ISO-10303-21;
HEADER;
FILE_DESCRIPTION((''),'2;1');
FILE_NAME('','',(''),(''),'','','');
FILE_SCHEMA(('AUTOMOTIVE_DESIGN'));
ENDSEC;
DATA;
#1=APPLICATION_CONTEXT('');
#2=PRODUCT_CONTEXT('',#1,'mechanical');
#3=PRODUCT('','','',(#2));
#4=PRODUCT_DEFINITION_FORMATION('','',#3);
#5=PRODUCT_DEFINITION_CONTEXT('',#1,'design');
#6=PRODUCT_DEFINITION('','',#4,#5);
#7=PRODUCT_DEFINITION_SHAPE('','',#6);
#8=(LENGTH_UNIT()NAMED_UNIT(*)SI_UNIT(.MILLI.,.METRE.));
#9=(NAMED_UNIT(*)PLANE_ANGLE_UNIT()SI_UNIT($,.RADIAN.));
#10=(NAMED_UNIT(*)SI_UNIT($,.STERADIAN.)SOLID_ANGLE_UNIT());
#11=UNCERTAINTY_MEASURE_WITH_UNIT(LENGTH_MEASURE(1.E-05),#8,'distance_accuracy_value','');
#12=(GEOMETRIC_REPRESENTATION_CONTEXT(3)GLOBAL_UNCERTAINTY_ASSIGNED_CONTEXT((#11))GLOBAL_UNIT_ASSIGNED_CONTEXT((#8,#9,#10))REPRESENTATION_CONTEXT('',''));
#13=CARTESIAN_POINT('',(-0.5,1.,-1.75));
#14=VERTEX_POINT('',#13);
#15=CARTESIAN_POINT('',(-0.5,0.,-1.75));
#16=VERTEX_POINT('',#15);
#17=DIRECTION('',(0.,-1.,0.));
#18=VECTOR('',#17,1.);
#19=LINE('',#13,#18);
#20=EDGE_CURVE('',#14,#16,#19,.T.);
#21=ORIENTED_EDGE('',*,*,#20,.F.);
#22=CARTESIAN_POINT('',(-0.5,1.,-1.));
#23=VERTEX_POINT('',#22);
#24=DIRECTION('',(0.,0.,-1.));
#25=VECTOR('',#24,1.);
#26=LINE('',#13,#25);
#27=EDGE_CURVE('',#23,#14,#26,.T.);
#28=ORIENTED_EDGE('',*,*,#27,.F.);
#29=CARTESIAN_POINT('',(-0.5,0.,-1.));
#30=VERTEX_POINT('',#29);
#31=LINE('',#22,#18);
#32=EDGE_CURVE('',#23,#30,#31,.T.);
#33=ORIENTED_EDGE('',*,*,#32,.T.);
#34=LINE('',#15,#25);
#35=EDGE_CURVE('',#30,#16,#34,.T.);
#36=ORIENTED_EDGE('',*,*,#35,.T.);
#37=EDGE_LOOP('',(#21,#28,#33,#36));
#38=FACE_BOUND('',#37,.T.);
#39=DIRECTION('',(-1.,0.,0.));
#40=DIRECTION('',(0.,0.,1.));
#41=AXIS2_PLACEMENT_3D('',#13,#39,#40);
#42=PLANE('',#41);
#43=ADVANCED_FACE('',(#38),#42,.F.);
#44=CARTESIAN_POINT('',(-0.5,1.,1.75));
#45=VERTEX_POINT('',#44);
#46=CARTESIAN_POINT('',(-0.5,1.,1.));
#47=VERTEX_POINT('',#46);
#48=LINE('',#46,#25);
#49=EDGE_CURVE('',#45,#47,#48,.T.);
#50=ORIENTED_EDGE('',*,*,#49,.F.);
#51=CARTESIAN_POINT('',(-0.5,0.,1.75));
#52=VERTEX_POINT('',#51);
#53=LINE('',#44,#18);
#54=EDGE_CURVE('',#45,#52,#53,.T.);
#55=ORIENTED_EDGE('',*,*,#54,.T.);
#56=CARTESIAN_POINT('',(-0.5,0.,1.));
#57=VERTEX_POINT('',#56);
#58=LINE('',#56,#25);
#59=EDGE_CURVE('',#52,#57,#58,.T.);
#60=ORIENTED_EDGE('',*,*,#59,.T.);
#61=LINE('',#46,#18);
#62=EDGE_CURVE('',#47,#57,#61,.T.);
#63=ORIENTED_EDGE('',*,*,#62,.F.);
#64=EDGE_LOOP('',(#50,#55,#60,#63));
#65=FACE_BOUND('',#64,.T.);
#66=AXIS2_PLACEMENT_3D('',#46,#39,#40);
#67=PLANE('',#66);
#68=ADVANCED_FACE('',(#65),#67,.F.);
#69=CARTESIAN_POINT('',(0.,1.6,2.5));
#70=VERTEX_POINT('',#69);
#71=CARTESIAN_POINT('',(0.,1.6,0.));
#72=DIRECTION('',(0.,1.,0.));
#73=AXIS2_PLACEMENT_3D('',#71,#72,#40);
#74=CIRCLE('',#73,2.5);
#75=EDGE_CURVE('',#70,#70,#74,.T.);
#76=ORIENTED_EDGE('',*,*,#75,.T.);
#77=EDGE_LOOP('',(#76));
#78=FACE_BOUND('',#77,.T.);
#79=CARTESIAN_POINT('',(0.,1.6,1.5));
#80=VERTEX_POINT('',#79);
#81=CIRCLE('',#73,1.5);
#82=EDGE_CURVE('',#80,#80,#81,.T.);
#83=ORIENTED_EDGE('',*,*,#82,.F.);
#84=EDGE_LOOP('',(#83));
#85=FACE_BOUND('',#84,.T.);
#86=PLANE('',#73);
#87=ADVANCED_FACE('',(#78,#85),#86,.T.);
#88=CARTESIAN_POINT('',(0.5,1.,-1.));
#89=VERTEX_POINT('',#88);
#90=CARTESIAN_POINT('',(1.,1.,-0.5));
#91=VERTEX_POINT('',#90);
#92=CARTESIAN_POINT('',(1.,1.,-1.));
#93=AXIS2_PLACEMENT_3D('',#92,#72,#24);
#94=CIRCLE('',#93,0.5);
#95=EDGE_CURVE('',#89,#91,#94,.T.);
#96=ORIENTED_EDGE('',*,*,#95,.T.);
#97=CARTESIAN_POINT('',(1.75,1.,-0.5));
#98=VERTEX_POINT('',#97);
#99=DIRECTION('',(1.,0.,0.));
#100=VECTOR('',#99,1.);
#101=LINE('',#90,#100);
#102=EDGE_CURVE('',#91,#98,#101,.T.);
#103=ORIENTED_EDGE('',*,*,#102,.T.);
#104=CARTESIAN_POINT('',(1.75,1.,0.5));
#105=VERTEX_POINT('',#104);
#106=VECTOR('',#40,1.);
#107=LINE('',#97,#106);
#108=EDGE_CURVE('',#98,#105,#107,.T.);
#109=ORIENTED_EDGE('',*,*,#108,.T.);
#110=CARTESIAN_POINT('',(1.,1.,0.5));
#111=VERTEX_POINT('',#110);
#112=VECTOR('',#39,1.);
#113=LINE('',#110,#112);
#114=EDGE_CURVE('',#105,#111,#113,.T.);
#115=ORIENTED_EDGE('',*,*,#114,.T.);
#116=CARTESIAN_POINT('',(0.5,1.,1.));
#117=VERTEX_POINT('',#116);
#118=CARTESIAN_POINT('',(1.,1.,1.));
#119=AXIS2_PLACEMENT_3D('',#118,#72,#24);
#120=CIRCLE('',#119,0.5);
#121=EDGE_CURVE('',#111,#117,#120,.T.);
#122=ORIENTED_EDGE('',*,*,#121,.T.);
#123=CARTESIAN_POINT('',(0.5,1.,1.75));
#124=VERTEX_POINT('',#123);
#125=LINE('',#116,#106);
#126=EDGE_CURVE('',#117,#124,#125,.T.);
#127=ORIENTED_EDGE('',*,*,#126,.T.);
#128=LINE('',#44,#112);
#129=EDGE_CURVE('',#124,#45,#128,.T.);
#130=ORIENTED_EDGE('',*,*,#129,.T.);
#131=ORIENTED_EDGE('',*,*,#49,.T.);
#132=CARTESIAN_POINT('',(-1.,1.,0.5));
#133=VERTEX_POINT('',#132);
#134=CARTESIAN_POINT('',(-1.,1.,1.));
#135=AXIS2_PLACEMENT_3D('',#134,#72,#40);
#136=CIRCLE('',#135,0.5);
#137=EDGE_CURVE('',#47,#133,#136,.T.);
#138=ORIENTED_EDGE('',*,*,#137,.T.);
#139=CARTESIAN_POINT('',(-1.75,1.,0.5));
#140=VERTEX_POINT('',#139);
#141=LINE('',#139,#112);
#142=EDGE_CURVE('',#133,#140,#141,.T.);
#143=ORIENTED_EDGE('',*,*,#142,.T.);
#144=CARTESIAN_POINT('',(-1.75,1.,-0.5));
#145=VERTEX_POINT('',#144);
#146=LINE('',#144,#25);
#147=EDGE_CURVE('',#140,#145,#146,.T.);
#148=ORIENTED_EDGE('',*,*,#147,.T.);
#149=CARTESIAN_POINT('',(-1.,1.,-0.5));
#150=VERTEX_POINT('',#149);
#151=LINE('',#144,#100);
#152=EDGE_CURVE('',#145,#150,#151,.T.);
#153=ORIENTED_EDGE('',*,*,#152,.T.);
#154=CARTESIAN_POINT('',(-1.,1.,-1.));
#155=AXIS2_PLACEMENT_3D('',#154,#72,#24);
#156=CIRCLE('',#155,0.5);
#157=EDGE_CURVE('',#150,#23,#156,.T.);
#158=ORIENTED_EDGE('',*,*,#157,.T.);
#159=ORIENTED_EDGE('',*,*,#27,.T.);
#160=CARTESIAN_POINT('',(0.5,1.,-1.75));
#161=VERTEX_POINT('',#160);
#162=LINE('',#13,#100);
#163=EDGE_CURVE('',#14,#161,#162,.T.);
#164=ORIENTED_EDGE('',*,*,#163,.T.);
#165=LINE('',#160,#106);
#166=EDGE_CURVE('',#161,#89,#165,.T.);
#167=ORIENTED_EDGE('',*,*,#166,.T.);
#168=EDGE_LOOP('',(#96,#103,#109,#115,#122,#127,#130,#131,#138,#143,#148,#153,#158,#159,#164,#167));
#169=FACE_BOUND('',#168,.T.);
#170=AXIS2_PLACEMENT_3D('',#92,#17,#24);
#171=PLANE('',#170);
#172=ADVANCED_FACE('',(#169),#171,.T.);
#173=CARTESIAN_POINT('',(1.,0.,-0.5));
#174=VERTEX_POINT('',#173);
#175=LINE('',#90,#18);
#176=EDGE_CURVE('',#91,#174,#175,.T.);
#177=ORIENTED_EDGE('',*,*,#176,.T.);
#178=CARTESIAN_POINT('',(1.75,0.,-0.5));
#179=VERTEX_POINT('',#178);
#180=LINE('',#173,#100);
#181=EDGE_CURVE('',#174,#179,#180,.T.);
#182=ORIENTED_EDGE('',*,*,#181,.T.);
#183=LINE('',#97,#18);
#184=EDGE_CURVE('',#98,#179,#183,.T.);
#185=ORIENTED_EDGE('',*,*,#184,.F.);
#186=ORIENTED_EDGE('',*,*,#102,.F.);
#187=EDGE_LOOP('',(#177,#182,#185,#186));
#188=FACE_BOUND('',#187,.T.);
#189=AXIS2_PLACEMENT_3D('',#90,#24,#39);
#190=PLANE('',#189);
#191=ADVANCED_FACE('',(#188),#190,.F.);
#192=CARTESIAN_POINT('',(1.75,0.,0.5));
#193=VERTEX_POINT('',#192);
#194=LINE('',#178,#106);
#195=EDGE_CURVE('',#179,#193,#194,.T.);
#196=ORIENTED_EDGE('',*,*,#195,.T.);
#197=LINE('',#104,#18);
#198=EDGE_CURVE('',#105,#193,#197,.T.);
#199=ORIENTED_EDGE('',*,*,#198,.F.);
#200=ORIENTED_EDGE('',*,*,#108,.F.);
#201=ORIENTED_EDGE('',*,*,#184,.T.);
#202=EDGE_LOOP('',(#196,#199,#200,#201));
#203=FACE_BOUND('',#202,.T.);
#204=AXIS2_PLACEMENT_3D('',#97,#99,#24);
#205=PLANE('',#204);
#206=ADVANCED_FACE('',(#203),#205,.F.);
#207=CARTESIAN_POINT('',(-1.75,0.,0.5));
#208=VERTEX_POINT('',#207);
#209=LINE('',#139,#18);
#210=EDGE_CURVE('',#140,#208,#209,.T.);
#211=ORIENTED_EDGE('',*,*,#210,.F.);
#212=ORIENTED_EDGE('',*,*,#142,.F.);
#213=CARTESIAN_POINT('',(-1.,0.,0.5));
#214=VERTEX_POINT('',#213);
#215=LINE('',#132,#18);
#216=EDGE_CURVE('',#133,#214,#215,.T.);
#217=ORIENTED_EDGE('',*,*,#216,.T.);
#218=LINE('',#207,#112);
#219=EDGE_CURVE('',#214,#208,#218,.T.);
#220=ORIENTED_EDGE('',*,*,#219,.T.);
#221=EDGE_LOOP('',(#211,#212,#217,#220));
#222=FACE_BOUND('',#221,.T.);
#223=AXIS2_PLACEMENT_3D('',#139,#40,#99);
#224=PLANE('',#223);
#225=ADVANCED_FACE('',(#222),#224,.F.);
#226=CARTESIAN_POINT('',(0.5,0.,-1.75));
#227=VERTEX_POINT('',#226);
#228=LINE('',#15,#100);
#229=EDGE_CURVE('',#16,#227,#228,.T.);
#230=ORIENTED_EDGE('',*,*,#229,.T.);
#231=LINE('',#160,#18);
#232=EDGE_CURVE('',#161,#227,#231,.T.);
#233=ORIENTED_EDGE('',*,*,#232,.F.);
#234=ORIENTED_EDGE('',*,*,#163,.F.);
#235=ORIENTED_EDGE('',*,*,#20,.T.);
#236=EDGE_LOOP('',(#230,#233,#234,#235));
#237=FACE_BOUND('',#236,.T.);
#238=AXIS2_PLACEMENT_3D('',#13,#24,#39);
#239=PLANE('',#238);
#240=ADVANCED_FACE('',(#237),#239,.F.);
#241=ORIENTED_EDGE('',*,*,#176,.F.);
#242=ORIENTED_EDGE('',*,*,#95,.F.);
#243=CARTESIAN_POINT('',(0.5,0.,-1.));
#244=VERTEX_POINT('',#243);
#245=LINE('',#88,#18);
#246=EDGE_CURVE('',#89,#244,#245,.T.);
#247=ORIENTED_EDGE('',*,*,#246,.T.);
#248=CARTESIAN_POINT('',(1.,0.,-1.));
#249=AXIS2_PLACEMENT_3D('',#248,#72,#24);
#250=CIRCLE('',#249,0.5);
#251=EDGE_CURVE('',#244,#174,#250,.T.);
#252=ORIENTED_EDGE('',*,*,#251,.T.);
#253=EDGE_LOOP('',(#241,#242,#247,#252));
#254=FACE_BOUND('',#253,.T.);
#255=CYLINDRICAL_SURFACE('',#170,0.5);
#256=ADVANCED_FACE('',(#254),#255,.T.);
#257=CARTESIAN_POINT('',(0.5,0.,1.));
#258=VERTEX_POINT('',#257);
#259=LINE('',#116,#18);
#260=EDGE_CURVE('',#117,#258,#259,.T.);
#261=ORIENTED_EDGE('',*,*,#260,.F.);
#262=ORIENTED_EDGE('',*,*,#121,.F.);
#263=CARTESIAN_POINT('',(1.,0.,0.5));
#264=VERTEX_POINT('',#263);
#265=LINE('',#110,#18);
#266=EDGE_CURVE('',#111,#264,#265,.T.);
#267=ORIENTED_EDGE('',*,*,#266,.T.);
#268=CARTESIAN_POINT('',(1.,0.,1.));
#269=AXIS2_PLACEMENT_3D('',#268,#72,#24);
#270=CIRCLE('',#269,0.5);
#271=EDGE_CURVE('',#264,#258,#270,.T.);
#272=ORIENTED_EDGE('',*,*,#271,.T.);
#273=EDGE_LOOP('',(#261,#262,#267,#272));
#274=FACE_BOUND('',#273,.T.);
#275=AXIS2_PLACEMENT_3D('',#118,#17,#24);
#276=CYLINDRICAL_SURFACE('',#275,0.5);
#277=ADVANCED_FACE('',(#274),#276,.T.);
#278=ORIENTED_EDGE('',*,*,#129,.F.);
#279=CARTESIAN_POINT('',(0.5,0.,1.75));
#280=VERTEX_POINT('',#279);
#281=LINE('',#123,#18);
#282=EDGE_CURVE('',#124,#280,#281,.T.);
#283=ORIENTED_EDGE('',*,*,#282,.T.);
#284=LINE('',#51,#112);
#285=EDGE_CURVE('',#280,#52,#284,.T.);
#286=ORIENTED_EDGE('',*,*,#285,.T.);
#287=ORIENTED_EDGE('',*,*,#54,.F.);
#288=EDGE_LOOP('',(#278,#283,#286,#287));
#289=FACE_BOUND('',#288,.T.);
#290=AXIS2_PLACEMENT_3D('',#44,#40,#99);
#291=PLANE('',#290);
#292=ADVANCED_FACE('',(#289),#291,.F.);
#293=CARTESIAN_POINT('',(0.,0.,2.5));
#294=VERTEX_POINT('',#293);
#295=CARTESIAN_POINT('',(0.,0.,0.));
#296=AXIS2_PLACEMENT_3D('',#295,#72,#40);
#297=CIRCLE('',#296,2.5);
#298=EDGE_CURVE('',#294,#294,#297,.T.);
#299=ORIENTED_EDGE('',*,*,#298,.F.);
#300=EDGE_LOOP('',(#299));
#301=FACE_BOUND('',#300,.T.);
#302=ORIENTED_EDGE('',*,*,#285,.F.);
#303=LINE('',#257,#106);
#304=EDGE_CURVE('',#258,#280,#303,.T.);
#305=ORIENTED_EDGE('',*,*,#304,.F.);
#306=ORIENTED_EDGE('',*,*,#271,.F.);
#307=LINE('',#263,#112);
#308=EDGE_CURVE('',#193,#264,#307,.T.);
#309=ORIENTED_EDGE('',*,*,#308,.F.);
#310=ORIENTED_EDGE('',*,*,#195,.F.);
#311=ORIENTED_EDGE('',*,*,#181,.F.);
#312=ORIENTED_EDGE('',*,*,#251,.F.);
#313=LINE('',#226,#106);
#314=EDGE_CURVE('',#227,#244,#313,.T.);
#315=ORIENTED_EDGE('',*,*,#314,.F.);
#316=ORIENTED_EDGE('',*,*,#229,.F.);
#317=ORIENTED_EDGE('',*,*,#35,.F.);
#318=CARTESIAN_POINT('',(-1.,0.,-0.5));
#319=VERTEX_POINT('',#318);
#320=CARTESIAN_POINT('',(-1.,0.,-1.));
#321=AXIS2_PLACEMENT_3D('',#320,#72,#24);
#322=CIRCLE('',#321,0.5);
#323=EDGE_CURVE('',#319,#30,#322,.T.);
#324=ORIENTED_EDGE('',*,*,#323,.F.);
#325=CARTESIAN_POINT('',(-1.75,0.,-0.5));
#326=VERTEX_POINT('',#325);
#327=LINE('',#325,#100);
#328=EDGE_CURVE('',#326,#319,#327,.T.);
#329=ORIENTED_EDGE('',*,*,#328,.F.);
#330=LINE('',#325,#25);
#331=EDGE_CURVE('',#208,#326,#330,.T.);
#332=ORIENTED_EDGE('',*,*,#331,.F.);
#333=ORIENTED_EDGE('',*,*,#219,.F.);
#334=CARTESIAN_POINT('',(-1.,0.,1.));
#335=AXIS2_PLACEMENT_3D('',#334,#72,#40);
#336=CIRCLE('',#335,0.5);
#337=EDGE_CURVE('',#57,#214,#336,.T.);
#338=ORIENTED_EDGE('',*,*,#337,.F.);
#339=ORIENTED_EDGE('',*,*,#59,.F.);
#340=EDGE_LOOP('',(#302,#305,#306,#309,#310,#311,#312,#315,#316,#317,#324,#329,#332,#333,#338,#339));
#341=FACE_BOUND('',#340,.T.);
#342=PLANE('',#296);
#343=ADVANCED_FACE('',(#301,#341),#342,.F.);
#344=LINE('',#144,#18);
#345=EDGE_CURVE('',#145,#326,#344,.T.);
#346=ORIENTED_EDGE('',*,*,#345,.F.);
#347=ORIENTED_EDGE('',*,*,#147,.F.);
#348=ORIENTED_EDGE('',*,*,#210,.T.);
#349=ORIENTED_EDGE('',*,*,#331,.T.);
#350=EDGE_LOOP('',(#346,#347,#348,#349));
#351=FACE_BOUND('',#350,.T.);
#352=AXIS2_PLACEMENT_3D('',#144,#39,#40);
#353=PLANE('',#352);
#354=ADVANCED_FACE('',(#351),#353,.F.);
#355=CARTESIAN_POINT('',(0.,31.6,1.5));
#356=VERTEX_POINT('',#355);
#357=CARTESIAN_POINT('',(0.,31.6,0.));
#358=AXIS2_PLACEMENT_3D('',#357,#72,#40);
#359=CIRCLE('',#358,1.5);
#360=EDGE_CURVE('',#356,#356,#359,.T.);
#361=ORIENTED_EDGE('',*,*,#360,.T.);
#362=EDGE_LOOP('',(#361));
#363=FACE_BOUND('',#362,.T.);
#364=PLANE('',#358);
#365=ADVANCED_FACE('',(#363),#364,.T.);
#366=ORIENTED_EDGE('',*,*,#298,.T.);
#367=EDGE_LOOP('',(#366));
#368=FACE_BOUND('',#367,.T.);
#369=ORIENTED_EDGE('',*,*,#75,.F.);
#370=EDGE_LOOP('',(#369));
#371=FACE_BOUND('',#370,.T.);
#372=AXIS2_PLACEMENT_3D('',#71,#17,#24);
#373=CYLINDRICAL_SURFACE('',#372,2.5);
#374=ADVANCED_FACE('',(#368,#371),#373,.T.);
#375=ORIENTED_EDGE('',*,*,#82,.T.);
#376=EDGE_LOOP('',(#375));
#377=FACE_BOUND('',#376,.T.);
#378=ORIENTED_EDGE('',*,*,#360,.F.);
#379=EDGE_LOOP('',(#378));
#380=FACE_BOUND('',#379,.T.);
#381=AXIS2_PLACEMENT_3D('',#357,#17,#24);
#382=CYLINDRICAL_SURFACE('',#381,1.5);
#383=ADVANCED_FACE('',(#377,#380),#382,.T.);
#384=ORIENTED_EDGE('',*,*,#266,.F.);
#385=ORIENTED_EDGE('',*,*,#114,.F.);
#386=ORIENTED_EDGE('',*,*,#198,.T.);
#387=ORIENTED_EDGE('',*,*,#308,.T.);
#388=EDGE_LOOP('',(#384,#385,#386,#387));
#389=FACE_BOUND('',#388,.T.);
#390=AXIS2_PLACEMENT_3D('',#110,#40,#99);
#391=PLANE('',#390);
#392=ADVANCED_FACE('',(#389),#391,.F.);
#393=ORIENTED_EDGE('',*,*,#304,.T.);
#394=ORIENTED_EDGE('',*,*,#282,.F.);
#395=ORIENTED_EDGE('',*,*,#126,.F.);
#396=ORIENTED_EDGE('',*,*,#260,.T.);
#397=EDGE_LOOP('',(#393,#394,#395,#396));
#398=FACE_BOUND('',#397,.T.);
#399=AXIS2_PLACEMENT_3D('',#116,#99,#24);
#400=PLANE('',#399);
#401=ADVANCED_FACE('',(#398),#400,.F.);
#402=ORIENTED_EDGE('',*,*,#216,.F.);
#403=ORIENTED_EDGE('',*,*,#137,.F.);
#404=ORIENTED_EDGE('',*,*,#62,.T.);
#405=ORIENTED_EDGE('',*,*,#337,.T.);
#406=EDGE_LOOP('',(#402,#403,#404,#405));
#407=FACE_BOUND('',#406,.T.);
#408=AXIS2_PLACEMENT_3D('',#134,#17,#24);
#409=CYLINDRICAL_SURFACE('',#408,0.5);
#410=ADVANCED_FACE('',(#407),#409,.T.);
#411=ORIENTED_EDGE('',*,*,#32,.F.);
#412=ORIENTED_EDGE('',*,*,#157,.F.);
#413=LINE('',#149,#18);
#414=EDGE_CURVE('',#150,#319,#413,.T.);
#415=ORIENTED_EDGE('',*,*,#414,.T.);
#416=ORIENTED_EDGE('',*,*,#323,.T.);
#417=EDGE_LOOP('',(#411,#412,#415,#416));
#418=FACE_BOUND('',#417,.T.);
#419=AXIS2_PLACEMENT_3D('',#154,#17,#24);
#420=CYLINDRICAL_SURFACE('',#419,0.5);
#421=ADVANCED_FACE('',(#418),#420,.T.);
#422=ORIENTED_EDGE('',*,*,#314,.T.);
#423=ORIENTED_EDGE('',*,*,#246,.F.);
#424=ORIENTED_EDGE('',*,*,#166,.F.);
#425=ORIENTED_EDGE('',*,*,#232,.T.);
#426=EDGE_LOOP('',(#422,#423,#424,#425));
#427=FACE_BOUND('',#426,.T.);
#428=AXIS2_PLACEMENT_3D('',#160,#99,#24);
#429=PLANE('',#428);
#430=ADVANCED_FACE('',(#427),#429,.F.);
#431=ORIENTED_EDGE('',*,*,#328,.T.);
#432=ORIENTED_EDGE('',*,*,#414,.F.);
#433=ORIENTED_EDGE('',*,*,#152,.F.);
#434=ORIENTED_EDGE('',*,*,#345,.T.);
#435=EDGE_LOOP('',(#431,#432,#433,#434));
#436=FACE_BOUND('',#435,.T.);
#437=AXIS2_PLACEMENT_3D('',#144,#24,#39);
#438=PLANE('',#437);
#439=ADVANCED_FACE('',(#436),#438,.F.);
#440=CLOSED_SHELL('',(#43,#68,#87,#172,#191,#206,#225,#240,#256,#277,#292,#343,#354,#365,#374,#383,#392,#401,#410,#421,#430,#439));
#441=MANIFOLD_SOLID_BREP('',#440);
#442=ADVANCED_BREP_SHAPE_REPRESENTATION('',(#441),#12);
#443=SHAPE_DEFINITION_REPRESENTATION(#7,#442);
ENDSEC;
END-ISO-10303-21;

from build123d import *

# Parameters (mm, degrees)
SKETCH_1_R          = 2.5
EXTRUDE_1_DEPTH     = 1.6
SKETCH_2_R          = 1.5
EXTRUDE_2_DEPTH     = 30
CUT_EXTRUDE_1_DEPTH = 1


with BuildPart() as part:
    # 草图1 → 凸台-拉伸1 (new body)
    with BuildSketch(Plane(origin=(0, 0, 0), x_dir=(1, 0, 0), z_dir=(0, 1, 0))):
        Circle(SKETCH_1_R)
    extrude(amount=EXTRUDE_1_DEPTH)

    # 草图2 → 凸台-拉伸2 (add)
    with BuildSketch(Plane(origin=(0, 1.6, 0), x_dir=(1, 0, 0), z_dir=(0, 1, 0))):
        Circle(SKETCH_2_R)
    extrude(amount=EXTRUDE_2_DEPTH)

    # 草图3 → 切除-拉伸1 (cut)
    with BuildSketch(Plane.XZ):
        with BuildLine():
            Line((-0.5, 1), (-0.5, 1.75))
            Line((-0.5, 1.75), (0.5, 1.75))
            Line((0.5, 1.75), (0.5, 1))
            ThreePointArc((0.5, 1), (0.646446609, 0.646446609), (1, 0.5))
            Line((1, 0.5), (1.75, 0.5))
            Line((1.75, 0.5), (1.75, -0.5))
            Line((1.75, -0.5), (1, -0.5))
            ThreePointArc((1, -0.5), (0.646446609, -0.646446609), (0.5, -1))
            Line((0.5, -1), (0.5, -1.75))
            Line((0.5, -1.75), (-0.5, -1.75))
            Line((-0.5, -1.75), (-0.5, -1))
            ThreePointArc((-0.5, -1), (-0.646446609, -0.646446609), (-1, -0.5))
            Line((-1, -0.5), (-1.75, -0.5))
            Line((-1.75, -0.5), (-1.75, 0.5))
            Line((-1.75, 0.5), (-1, 0.5))
            ThreePointArc((-1, 0.5), (-0.646446609, 0.646446609), (-0.5, 1))
        make_face()
    extrude(amount=-CUT_EXTRUDE_1_DEPTH, mode=Mode.SUBTRACT)


solid = part.part
